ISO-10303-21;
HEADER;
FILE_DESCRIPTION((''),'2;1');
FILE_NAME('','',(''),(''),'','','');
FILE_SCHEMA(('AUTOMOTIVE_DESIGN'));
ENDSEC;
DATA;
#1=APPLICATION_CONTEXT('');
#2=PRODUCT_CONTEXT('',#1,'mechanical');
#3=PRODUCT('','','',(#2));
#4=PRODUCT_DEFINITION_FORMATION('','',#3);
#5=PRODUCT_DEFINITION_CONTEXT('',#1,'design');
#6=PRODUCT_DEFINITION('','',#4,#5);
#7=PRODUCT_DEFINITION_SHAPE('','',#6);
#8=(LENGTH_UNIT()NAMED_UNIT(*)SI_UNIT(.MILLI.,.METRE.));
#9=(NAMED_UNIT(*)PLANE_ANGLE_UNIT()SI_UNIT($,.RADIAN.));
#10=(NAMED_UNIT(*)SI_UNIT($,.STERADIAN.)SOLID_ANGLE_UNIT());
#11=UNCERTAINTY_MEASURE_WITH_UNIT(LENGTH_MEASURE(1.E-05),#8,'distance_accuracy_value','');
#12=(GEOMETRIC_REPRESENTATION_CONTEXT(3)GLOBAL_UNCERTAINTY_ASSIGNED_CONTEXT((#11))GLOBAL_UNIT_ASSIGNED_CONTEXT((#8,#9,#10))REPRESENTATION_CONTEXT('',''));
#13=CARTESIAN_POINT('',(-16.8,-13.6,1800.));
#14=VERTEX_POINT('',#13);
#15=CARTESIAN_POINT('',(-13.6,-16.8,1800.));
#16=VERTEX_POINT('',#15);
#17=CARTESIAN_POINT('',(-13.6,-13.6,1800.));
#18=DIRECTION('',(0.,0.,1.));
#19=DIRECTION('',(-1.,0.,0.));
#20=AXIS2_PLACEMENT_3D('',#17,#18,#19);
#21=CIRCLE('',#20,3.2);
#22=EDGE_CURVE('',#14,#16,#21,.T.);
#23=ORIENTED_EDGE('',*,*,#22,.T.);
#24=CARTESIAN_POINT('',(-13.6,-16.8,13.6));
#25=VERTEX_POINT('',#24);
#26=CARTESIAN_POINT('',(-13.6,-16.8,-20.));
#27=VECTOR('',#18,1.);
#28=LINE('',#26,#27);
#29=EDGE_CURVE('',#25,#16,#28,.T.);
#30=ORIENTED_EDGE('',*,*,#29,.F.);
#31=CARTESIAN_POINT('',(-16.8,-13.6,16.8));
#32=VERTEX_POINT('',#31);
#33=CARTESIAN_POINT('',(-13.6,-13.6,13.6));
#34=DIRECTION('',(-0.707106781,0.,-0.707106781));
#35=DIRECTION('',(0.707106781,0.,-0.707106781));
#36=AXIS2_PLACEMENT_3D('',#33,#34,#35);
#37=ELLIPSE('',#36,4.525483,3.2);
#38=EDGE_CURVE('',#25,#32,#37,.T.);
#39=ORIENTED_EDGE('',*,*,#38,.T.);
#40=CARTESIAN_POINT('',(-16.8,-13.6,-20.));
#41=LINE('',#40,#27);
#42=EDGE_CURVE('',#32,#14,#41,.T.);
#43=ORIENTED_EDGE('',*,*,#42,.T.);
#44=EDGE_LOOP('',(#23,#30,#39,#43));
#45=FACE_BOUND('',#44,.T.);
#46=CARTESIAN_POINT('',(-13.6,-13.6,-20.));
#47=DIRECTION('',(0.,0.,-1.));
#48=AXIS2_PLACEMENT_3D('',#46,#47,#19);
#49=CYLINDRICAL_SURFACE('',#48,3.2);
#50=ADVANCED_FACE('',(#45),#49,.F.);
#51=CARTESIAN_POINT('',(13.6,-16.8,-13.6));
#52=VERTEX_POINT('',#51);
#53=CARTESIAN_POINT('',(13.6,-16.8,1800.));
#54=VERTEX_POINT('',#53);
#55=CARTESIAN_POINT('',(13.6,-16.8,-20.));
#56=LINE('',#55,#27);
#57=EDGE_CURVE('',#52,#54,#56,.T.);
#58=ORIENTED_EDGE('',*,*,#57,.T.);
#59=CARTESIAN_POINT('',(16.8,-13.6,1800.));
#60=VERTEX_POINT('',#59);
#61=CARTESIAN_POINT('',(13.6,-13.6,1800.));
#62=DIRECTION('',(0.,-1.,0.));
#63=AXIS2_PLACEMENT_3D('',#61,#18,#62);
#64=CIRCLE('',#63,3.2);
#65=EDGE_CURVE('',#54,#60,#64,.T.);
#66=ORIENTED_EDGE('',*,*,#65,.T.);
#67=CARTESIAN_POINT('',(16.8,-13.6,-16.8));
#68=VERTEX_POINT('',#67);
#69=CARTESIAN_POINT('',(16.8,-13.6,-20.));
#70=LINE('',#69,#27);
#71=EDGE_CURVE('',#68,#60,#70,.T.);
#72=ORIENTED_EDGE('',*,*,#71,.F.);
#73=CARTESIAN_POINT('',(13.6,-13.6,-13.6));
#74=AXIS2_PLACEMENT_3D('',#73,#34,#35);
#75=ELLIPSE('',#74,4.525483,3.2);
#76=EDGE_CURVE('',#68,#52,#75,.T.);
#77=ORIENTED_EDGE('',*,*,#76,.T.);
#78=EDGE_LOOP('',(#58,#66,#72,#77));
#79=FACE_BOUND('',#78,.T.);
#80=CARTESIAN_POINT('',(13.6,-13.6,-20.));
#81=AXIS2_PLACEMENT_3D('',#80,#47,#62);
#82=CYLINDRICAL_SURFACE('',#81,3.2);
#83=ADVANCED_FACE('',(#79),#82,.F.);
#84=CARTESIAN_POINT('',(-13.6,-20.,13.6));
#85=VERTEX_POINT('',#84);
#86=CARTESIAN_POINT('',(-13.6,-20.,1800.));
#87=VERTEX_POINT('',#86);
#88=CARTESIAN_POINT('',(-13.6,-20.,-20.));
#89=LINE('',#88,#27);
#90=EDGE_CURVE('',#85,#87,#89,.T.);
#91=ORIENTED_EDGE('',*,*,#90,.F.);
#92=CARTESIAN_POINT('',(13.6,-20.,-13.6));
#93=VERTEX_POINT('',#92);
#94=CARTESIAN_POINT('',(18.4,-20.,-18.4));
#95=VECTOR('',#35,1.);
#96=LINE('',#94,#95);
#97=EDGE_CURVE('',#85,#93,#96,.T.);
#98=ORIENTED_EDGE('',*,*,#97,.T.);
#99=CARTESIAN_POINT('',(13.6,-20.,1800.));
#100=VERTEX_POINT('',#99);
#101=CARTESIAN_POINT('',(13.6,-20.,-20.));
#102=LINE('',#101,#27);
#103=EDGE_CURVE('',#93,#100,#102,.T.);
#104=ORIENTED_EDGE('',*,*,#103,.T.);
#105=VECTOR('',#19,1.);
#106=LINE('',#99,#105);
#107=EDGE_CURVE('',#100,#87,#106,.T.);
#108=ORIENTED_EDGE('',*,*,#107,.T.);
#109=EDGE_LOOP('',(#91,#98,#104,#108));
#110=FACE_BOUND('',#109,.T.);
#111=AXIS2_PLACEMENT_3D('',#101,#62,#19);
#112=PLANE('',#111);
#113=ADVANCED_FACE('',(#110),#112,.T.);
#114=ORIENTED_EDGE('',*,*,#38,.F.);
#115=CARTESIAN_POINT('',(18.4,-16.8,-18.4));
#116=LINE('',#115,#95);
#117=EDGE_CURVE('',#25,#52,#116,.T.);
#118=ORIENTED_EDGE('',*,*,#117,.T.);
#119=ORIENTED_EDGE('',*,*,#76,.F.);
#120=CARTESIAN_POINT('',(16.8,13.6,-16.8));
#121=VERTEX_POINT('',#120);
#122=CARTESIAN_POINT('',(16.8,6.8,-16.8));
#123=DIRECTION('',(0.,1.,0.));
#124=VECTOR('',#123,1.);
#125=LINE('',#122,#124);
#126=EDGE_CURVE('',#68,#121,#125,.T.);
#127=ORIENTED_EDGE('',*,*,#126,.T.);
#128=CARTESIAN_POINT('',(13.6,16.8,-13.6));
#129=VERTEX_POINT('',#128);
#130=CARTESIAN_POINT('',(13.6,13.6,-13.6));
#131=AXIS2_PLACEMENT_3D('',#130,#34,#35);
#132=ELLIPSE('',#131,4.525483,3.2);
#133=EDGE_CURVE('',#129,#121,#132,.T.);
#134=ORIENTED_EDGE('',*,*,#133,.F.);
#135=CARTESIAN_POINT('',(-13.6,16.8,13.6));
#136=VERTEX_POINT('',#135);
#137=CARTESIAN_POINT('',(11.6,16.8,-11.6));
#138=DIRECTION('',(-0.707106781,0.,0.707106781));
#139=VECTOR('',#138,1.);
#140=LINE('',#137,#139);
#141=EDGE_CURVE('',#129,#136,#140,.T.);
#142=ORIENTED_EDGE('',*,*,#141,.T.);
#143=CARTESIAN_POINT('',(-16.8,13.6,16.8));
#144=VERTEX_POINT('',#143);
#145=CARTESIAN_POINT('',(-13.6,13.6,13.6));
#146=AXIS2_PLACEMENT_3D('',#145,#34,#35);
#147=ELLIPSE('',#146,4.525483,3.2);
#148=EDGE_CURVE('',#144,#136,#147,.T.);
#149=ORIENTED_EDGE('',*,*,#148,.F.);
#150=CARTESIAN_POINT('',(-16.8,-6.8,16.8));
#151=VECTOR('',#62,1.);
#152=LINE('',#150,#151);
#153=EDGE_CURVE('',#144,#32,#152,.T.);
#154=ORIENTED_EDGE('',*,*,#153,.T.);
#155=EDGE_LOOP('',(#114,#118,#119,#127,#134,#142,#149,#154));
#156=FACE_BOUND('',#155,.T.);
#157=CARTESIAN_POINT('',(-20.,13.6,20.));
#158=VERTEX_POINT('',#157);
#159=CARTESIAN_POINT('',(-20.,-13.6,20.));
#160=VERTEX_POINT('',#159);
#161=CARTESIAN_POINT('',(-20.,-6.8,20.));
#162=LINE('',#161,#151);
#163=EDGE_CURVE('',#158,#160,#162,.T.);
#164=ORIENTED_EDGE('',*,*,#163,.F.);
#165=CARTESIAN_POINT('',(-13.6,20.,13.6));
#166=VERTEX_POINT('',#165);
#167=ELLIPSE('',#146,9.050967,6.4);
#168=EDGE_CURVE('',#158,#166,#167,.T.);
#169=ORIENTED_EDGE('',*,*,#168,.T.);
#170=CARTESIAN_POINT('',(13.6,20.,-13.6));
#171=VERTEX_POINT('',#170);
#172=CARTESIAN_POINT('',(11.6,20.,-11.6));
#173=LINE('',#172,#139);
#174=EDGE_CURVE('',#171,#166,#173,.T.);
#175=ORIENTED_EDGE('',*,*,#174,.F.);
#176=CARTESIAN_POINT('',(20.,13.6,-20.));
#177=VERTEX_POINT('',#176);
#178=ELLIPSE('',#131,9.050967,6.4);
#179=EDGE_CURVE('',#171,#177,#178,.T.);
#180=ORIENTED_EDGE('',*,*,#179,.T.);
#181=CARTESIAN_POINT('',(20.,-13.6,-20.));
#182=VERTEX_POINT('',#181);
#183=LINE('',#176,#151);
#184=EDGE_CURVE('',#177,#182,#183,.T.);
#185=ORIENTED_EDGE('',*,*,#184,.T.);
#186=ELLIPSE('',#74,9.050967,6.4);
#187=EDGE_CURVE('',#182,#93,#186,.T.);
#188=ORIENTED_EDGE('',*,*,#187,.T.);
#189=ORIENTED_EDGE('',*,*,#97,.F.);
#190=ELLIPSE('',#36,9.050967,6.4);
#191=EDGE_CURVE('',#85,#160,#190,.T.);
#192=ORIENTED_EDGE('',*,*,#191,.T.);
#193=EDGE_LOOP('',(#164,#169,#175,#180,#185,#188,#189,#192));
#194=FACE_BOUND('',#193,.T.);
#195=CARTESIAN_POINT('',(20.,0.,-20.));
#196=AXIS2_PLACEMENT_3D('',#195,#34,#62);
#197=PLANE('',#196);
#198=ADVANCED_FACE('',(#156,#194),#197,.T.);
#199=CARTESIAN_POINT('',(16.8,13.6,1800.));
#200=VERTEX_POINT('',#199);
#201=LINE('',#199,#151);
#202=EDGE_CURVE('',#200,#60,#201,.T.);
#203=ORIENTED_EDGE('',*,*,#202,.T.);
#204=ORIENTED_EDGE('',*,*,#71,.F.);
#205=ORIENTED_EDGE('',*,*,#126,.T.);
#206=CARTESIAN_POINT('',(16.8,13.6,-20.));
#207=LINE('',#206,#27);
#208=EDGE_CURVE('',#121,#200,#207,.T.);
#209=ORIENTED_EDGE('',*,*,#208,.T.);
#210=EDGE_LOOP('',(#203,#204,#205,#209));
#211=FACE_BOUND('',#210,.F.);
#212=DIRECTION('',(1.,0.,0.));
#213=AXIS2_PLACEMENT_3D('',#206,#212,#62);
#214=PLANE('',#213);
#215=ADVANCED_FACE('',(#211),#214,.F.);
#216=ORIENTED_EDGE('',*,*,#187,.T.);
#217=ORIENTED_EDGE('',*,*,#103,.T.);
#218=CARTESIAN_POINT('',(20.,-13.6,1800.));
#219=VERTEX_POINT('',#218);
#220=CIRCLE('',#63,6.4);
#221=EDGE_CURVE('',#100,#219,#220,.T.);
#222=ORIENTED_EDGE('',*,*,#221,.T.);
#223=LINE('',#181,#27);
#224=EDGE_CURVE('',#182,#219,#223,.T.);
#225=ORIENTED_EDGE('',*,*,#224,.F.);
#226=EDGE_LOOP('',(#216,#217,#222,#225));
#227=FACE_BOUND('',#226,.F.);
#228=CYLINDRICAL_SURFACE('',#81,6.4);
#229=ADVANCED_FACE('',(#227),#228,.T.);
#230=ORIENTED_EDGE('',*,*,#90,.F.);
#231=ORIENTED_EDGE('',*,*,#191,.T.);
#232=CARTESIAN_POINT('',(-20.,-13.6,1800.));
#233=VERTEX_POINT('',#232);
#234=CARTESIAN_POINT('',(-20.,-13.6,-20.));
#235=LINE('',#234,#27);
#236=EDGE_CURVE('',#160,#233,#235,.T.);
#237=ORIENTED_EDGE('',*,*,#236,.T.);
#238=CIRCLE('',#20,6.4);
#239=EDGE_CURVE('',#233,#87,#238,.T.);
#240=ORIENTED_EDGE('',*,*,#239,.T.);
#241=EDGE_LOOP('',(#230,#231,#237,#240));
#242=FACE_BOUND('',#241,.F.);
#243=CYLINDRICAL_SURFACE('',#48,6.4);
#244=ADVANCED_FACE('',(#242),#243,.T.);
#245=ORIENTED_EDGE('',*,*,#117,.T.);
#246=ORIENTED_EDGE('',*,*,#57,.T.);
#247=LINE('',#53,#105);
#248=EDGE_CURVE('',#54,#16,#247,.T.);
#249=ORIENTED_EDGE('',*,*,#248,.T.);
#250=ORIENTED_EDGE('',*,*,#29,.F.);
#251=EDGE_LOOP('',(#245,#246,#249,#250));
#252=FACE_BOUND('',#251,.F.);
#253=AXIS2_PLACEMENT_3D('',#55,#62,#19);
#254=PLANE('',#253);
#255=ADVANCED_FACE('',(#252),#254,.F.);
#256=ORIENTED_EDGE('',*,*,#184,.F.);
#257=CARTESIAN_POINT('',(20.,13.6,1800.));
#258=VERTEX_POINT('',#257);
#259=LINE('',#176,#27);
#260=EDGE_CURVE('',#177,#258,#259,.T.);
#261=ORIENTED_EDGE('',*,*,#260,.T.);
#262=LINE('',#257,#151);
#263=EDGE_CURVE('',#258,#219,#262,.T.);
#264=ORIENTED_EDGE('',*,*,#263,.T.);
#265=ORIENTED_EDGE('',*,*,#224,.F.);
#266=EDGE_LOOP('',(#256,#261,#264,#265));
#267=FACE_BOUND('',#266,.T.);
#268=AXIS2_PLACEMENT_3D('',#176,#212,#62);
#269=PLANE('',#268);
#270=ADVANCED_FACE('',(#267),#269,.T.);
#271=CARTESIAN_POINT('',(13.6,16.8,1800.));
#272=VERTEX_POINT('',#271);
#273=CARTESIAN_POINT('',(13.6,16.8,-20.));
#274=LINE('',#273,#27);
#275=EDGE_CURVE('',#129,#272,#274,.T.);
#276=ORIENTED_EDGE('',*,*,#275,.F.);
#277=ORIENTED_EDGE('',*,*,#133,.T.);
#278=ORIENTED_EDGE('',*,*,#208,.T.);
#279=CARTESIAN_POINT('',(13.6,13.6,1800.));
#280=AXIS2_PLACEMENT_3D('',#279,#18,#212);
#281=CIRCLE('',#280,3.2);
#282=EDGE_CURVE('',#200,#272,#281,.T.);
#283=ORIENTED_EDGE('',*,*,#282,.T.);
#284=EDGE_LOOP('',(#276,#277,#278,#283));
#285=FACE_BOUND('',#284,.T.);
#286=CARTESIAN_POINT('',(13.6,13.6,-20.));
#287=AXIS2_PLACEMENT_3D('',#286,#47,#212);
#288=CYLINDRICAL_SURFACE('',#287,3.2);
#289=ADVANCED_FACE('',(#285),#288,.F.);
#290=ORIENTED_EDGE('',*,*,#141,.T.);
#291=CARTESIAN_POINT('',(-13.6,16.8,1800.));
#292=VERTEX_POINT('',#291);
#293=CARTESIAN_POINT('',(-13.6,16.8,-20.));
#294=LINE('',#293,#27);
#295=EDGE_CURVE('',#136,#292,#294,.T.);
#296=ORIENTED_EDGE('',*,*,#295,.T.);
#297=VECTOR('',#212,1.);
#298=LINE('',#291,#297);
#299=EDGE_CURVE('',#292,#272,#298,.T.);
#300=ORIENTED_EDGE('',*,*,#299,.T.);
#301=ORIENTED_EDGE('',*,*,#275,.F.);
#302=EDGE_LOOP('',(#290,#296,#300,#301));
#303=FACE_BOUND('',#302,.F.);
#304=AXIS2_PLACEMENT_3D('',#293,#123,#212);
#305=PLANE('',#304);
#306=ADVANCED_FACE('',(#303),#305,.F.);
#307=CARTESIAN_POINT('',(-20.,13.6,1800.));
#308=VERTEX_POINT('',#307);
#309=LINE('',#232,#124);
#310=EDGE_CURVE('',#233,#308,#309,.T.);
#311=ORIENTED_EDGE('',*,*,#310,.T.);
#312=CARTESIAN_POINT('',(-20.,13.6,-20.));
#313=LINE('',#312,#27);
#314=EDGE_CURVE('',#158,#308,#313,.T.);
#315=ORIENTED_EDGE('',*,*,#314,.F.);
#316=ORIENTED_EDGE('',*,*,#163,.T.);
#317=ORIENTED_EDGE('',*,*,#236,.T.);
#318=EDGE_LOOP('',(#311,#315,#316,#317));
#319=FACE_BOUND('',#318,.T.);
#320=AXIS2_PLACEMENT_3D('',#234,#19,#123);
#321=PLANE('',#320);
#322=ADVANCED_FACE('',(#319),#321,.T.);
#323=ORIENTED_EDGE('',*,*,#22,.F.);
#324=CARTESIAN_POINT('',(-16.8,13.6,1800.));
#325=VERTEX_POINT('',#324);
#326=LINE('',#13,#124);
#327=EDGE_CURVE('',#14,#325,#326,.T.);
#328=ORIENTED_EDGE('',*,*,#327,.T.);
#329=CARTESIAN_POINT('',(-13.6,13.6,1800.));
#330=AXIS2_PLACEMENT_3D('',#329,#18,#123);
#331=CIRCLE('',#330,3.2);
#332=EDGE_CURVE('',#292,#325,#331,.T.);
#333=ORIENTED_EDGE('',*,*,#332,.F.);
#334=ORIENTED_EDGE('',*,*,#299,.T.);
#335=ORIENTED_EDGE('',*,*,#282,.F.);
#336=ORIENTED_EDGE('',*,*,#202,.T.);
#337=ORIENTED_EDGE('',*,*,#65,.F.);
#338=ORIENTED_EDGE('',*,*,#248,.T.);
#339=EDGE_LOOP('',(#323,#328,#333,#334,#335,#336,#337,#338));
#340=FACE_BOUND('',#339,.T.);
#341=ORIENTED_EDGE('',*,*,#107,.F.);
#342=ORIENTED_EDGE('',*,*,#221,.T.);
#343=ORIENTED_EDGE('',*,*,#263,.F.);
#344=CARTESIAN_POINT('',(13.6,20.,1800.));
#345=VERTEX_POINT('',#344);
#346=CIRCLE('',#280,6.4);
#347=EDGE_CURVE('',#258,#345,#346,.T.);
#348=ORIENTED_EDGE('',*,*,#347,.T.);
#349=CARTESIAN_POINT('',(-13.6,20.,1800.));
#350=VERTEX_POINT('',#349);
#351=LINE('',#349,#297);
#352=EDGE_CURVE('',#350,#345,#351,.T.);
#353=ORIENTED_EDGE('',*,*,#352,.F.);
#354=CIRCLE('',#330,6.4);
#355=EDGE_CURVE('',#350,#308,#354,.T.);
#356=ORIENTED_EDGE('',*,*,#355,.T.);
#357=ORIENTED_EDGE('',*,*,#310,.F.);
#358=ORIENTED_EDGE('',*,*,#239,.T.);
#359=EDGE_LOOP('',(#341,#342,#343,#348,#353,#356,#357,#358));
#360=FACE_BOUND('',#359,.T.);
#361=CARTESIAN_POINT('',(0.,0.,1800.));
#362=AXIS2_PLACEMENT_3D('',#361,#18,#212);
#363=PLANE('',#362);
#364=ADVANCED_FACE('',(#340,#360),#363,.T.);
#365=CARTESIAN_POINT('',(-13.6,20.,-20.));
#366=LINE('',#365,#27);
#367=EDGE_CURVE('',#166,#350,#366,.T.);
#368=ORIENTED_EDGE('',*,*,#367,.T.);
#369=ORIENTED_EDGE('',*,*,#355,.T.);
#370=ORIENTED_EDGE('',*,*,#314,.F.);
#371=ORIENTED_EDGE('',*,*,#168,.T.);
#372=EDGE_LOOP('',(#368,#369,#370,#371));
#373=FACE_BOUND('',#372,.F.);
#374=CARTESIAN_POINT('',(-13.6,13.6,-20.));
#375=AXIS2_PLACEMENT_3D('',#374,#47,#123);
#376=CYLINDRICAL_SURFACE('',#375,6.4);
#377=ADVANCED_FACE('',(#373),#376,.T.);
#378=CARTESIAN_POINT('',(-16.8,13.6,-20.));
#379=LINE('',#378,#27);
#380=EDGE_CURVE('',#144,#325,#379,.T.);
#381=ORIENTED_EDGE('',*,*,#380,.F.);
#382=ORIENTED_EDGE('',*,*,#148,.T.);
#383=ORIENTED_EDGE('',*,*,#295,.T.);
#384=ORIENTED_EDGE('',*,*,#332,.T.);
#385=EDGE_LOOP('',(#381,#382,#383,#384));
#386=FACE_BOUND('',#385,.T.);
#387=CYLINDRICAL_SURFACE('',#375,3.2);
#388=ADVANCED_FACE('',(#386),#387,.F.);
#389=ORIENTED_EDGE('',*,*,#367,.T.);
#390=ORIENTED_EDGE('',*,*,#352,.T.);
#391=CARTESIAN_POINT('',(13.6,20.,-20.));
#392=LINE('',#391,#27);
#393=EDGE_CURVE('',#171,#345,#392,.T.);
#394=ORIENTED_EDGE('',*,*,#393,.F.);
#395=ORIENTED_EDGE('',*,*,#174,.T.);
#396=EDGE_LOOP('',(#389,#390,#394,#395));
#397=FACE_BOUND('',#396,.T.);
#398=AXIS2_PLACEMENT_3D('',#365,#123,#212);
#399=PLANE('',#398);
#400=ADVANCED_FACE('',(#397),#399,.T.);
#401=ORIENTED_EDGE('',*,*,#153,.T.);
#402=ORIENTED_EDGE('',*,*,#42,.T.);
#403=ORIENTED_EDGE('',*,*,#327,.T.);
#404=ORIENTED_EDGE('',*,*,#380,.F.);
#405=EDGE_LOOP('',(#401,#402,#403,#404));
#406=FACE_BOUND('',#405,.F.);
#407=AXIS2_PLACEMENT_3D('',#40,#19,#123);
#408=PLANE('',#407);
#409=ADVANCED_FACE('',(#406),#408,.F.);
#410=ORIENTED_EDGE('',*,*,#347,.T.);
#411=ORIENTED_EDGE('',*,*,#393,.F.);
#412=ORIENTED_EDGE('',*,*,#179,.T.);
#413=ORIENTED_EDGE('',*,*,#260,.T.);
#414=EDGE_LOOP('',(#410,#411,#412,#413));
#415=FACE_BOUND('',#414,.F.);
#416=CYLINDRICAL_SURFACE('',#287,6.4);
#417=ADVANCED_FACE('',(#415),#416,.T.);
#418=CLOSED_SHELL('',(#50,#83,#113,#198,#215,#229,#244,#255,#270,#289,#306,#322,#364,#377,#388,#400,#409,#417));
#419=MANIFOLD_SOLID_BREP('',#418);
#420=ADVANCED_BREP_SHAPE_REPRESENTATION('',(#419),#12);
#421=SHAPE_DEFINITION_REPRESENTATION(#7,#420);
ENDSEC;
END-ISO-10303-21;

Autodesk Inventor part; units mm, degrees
ref_plane "Start plane" through (0, 0, -20) normal (0, 0, 1) x (1, 0, 0)
ref_plane "End plane" through (0, 0, 1800) normal (0, 0, 1) x (1, 0, 0)
sketch "Sketch" plane through (0, 0, 0) normal (0, 0, 1) x (1, 0, 0)
  line L0 (-20, -13.6) -> (-20, 13.6)
  line L1 (-13.6, 20) -> (13.6, 20)
  line L2 (20, 13.6) -> (20, -13.6)
  line L3 (13.6, -20) -> (-13.6, -20)
  arc A0 (-20, -13.6) -> (-13.6, -20) centre (-13.6, -13.6) ccw
  arc A1 (-13.6, 20) -> (-20, 13.6) centre (-13.6, 13.6) ccw
  arc A2 (20, 13.6) -> (13.6, 20) centre (13.6, 13.6) ccw
  arc A3 (13.6, -20) -> (20, -13.6) centre (13.6, -13.6) ccw
  arc A4 (-13.6, 16.8) -> (-16.8, 13.6) centre (-13.6, 13.6) ccw
  line L4 (-13.6, 16.8) -> (13.6, 16.8)
  arc A5 (16.8, 13.6) -> (13.6, 16.8) centre (13.6, 13.6) ccw
  line L5 (16.8, 13.6) -> (16.8, -13.6)
  arc A6 (13.6, -16.8) -> (16.8, -13.6) centre (13.6, -13.6) ccw
  line L6 (13.6, -16.8) -> (-13.6, -16.8)
  arc A7 (-16.8, -13.6) -> (-13.6, -16.8) centre (-13.6, -13.6) ccw
  line L7 (-16.8, -13.6) -> (-16.8, 13.6)
  line L8 (0, 29.8557) -> (0, -29.8557) construction
  line L9 (-29.8557, 0) -> (29.8557, 0) construction
  dimension "d7" = 6.4
  dimension "d10" = 40
  dimension "d11" = 40
  dimension "d12" = 3.2
  dimension "d15" = 20
  dimension "d16" = 20
extrude "Body" add sketch "Sketch" along normal up to surface (1820 mm away) from surface at -20
sketch "Sketch3" plane through (0, 0, 0) normal (0, 0, 1) x (1, 0, 0)
  line L0 (0, 0) -> (10, 0)
ref_plane "Work Plane3" through (0, 0, 0) normal (0, -1, 0) x (1, 0, 0)
sketch "Sketch4" plane through (0, 0, 0) normal (0, -1, 0) x (1, 0, 0)
  line L0 (-2, -20) -> (12, -20)
  line L1 (-2, 1800) -> (12, 1800)
  dimension "d18" = 1820
ref_plane "Work Plane4" through (20, 0, -20) normal (-0.7071, 0, -0.7071) x (-0.7071, 0, 0.7071)
split "Split1" plane through (20, 0, -20) removes the side toward (-0.7071, 0, -0.7071)
equation "\"d7\" = G_IR"
equation "\"d10\" = G_H"
equation "\"d11\" = G_W"
equation "\"d12\" = G_T"
equation "\"d15\" = 0.5 * d10"
equation "\"d16\" = 0.5 * d11"
equation "\"d3\" = G_L"
equation "\"G_W\" = 40"
equation "\"G_H\" = 40"
equation "\"G_T\" = 3.2"
equation "\"G_IR\" = 6.4"
equation "\"G_L\" = d18"
equation "\"G_OFFSET_START\" = 20"
equation "\"G_OFFSET_END\" = 0"
equation "\"d13\" = -G_OFFSET_START"
properties part number "BSI 40 x 40 x 3.2 00000003" material "Steel, Mild"
